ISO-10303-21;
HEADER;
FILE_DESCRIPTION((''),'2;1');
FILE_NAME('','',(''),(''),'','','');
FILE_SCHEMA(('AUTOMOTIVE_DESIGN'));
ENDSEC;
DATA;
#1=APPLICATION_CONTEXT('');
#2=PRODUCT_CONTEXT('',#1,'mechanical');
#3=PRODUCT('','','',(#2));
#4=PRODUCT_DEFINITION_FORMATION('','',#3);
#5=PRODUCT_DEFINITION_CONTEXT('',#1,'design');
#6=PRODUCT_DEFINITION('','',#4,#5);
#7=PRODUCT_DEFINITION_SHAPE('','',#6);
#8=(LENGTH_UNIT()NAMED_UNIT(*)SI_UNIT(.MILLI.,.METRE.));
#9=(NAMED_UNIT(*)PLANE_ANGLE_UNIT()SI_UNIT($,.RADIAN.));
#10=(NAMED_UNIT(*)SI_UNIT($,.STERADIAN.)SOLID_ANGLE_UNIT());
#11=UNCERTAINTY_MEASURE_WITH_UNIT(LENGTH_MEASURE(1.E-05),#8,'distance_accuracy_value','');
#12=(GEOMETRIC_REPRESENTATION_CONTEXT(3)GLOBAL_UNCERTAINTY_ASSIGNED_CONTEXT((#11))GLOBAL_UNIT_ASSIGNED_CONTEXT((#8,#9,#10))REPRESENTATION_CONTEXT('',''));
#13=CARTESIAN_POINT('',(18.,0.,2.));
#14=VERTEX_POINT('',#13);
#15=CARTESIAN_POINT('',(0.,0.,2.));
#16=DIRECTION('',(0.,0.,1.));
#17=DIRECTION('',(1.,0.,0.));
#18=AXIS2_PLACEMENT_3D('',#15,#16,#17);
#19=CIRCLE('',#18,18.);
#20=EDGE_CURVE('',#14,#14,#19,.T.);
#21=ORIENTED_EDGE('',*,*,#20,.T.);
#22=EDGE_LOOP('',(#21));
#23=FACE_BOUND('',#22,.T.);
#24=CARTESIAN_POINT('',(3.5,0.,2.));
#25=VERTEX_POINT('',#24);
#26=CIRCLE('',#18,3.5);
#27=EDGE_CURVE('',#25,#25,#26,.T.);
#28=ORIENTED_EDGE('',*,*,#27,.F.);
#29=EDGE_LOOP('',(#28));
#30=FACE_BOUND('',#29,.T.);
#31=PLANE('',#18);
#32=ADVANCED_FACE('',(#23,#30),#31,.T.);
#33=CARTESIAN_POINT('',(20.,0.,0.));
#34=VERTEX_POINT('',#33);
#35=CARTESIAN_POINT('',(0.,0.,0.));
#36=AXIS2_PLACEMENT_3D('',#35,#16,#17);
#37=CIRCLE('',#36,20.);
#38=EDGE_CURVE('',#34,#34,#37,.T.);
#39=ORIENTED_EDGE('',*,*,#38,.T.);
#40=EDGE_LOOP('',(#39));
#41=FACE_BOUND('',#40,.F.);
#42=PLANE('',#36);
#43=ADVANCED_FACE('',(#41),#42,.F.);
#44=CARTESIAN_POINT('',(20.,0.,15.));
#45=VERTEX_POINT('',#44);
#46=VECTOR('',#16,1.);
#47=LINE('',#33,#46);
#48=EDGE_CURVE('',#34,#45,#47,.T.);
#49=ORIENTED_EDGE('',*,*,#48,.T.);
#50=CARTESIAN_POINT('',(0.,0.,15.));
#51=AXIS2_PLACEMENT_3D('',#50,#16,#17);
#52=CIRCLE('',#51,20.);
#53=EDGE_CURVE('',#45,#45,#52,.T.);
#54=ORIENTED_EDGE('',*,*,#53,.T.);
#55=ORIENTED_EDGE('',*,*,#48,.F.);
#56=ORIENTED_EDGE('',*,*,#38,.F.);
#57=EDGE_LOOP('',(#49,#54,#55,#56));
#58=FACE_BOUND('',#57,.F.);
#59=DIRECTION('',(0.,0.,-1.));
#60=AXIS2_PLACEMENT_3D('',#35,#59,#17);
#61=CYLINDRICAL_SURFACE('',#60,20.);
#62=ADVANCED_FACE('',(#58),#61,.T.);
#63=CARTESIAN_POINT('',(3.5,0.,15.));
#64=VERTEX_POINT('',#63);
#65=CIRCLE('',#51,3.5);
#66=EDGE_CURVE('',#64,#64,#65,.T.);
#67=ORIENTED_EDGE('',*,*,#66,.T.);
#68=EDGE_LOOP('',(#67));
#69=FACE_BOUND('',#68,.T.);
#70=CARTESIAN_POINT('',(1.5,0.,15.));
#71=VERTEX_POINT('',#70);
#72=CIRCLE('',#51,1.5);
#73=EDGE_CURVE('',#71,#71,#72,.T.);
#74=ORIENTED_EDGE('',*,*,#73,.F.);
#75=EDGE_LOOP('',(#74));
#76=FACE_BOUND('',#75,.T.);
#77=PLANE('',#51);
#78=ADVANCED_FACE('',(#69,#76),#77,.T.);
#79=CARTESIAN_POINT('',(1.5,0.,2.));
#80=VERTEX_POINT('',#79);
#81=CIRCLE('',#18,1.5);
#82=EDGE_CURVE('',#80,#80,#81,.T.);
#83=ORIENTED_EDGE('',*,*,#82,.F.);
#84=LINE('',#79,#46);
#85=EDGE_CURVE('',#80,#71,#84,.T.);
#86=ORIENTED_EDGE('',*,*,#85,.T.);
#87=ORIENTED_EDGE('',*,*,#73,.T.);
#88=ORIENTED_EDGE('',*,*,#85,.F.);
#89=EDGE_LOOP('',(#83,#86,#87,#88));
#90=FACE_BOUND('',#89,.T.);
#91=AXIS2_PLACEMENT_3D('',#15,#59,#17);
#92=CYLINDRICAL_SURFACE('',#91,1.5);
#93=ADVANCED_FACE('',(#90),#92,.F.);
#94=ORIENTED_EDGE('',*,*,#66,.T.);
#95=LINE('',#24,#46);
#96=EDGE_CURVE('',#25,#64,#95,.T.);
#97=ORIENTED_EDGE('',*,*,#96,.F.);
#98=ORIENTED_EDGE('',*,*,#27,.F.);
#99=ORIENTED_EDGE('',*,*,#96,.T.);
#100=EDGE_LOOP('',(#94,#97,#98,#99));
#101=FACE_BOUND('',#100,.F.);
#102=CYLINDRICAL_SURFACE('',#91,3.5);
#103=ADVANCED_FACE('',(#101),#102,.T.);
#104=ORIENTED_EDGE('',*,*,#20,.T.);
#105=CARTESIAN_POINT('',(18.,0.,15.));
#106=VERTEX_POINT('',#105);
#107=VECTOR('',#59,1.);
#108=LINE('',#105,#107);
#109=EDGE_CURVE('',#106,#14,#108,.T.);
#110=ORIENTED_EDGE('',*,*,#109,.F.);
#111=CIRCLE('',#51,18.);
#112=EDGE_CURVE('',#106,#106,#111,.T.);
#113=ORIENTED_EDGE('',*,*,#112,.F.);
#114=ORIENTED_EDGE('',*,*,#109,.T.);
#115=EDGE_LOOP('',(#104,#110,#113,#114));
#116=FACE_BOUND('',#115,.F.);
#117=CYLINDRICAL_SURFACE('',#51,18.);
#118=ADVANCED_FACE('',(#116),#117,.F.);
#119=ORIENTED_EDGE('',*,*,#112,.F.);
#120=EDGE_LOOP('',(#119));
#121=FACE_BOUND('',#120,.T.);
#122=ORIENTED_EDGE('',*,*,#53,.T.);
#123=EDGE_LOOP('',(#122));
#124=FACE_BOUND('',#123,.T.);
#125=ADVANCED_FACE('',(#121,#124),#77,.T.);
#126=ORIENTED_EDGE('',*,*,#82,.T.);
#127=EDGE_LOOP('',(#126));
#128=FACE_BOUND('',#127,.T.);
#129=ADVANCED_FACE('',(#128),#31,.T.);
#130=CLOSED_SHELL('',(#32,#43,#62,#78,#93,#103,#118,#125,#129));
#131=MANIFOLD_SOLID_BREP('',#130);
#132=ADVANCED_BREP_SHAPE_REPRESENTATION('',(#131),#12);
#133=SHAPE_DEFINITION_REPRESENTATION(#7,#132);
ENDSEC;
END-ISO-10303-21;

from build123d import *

# Parameters (mm, degrees)
F0_R     = 20
F1_DEPTH = 15
F2_R     = 18
F3_DEPTH = 13
F4_R     = 3.5
F4_R_2   = 1.5
F5_DEPTH = 13


with BuildPart() as f1:
    # F0 (on Top) → F1 (new body)
    with BuildSketch(Plane.XY):
        Circle(F0_R)
    extrude(amount=F1_DEPTH)

    # F2 (on face) → F3 (cut)
    with BuildSketch(Plane.XY.offset(15)):
        Circle(F2_R)
    extrude(amount=-F3_DEPTH, mode=Mode.SUBTRACT)

    # F4 (on face) → F5 (join)
    with BuildSketch(Plane.XY.offset(2)):
        Circle(F4_R)
        Circle(F4_R_2, mode=Mode.SUBTRACT)
    extrude(amount=F5_DEPTH)


solid = f1.part
